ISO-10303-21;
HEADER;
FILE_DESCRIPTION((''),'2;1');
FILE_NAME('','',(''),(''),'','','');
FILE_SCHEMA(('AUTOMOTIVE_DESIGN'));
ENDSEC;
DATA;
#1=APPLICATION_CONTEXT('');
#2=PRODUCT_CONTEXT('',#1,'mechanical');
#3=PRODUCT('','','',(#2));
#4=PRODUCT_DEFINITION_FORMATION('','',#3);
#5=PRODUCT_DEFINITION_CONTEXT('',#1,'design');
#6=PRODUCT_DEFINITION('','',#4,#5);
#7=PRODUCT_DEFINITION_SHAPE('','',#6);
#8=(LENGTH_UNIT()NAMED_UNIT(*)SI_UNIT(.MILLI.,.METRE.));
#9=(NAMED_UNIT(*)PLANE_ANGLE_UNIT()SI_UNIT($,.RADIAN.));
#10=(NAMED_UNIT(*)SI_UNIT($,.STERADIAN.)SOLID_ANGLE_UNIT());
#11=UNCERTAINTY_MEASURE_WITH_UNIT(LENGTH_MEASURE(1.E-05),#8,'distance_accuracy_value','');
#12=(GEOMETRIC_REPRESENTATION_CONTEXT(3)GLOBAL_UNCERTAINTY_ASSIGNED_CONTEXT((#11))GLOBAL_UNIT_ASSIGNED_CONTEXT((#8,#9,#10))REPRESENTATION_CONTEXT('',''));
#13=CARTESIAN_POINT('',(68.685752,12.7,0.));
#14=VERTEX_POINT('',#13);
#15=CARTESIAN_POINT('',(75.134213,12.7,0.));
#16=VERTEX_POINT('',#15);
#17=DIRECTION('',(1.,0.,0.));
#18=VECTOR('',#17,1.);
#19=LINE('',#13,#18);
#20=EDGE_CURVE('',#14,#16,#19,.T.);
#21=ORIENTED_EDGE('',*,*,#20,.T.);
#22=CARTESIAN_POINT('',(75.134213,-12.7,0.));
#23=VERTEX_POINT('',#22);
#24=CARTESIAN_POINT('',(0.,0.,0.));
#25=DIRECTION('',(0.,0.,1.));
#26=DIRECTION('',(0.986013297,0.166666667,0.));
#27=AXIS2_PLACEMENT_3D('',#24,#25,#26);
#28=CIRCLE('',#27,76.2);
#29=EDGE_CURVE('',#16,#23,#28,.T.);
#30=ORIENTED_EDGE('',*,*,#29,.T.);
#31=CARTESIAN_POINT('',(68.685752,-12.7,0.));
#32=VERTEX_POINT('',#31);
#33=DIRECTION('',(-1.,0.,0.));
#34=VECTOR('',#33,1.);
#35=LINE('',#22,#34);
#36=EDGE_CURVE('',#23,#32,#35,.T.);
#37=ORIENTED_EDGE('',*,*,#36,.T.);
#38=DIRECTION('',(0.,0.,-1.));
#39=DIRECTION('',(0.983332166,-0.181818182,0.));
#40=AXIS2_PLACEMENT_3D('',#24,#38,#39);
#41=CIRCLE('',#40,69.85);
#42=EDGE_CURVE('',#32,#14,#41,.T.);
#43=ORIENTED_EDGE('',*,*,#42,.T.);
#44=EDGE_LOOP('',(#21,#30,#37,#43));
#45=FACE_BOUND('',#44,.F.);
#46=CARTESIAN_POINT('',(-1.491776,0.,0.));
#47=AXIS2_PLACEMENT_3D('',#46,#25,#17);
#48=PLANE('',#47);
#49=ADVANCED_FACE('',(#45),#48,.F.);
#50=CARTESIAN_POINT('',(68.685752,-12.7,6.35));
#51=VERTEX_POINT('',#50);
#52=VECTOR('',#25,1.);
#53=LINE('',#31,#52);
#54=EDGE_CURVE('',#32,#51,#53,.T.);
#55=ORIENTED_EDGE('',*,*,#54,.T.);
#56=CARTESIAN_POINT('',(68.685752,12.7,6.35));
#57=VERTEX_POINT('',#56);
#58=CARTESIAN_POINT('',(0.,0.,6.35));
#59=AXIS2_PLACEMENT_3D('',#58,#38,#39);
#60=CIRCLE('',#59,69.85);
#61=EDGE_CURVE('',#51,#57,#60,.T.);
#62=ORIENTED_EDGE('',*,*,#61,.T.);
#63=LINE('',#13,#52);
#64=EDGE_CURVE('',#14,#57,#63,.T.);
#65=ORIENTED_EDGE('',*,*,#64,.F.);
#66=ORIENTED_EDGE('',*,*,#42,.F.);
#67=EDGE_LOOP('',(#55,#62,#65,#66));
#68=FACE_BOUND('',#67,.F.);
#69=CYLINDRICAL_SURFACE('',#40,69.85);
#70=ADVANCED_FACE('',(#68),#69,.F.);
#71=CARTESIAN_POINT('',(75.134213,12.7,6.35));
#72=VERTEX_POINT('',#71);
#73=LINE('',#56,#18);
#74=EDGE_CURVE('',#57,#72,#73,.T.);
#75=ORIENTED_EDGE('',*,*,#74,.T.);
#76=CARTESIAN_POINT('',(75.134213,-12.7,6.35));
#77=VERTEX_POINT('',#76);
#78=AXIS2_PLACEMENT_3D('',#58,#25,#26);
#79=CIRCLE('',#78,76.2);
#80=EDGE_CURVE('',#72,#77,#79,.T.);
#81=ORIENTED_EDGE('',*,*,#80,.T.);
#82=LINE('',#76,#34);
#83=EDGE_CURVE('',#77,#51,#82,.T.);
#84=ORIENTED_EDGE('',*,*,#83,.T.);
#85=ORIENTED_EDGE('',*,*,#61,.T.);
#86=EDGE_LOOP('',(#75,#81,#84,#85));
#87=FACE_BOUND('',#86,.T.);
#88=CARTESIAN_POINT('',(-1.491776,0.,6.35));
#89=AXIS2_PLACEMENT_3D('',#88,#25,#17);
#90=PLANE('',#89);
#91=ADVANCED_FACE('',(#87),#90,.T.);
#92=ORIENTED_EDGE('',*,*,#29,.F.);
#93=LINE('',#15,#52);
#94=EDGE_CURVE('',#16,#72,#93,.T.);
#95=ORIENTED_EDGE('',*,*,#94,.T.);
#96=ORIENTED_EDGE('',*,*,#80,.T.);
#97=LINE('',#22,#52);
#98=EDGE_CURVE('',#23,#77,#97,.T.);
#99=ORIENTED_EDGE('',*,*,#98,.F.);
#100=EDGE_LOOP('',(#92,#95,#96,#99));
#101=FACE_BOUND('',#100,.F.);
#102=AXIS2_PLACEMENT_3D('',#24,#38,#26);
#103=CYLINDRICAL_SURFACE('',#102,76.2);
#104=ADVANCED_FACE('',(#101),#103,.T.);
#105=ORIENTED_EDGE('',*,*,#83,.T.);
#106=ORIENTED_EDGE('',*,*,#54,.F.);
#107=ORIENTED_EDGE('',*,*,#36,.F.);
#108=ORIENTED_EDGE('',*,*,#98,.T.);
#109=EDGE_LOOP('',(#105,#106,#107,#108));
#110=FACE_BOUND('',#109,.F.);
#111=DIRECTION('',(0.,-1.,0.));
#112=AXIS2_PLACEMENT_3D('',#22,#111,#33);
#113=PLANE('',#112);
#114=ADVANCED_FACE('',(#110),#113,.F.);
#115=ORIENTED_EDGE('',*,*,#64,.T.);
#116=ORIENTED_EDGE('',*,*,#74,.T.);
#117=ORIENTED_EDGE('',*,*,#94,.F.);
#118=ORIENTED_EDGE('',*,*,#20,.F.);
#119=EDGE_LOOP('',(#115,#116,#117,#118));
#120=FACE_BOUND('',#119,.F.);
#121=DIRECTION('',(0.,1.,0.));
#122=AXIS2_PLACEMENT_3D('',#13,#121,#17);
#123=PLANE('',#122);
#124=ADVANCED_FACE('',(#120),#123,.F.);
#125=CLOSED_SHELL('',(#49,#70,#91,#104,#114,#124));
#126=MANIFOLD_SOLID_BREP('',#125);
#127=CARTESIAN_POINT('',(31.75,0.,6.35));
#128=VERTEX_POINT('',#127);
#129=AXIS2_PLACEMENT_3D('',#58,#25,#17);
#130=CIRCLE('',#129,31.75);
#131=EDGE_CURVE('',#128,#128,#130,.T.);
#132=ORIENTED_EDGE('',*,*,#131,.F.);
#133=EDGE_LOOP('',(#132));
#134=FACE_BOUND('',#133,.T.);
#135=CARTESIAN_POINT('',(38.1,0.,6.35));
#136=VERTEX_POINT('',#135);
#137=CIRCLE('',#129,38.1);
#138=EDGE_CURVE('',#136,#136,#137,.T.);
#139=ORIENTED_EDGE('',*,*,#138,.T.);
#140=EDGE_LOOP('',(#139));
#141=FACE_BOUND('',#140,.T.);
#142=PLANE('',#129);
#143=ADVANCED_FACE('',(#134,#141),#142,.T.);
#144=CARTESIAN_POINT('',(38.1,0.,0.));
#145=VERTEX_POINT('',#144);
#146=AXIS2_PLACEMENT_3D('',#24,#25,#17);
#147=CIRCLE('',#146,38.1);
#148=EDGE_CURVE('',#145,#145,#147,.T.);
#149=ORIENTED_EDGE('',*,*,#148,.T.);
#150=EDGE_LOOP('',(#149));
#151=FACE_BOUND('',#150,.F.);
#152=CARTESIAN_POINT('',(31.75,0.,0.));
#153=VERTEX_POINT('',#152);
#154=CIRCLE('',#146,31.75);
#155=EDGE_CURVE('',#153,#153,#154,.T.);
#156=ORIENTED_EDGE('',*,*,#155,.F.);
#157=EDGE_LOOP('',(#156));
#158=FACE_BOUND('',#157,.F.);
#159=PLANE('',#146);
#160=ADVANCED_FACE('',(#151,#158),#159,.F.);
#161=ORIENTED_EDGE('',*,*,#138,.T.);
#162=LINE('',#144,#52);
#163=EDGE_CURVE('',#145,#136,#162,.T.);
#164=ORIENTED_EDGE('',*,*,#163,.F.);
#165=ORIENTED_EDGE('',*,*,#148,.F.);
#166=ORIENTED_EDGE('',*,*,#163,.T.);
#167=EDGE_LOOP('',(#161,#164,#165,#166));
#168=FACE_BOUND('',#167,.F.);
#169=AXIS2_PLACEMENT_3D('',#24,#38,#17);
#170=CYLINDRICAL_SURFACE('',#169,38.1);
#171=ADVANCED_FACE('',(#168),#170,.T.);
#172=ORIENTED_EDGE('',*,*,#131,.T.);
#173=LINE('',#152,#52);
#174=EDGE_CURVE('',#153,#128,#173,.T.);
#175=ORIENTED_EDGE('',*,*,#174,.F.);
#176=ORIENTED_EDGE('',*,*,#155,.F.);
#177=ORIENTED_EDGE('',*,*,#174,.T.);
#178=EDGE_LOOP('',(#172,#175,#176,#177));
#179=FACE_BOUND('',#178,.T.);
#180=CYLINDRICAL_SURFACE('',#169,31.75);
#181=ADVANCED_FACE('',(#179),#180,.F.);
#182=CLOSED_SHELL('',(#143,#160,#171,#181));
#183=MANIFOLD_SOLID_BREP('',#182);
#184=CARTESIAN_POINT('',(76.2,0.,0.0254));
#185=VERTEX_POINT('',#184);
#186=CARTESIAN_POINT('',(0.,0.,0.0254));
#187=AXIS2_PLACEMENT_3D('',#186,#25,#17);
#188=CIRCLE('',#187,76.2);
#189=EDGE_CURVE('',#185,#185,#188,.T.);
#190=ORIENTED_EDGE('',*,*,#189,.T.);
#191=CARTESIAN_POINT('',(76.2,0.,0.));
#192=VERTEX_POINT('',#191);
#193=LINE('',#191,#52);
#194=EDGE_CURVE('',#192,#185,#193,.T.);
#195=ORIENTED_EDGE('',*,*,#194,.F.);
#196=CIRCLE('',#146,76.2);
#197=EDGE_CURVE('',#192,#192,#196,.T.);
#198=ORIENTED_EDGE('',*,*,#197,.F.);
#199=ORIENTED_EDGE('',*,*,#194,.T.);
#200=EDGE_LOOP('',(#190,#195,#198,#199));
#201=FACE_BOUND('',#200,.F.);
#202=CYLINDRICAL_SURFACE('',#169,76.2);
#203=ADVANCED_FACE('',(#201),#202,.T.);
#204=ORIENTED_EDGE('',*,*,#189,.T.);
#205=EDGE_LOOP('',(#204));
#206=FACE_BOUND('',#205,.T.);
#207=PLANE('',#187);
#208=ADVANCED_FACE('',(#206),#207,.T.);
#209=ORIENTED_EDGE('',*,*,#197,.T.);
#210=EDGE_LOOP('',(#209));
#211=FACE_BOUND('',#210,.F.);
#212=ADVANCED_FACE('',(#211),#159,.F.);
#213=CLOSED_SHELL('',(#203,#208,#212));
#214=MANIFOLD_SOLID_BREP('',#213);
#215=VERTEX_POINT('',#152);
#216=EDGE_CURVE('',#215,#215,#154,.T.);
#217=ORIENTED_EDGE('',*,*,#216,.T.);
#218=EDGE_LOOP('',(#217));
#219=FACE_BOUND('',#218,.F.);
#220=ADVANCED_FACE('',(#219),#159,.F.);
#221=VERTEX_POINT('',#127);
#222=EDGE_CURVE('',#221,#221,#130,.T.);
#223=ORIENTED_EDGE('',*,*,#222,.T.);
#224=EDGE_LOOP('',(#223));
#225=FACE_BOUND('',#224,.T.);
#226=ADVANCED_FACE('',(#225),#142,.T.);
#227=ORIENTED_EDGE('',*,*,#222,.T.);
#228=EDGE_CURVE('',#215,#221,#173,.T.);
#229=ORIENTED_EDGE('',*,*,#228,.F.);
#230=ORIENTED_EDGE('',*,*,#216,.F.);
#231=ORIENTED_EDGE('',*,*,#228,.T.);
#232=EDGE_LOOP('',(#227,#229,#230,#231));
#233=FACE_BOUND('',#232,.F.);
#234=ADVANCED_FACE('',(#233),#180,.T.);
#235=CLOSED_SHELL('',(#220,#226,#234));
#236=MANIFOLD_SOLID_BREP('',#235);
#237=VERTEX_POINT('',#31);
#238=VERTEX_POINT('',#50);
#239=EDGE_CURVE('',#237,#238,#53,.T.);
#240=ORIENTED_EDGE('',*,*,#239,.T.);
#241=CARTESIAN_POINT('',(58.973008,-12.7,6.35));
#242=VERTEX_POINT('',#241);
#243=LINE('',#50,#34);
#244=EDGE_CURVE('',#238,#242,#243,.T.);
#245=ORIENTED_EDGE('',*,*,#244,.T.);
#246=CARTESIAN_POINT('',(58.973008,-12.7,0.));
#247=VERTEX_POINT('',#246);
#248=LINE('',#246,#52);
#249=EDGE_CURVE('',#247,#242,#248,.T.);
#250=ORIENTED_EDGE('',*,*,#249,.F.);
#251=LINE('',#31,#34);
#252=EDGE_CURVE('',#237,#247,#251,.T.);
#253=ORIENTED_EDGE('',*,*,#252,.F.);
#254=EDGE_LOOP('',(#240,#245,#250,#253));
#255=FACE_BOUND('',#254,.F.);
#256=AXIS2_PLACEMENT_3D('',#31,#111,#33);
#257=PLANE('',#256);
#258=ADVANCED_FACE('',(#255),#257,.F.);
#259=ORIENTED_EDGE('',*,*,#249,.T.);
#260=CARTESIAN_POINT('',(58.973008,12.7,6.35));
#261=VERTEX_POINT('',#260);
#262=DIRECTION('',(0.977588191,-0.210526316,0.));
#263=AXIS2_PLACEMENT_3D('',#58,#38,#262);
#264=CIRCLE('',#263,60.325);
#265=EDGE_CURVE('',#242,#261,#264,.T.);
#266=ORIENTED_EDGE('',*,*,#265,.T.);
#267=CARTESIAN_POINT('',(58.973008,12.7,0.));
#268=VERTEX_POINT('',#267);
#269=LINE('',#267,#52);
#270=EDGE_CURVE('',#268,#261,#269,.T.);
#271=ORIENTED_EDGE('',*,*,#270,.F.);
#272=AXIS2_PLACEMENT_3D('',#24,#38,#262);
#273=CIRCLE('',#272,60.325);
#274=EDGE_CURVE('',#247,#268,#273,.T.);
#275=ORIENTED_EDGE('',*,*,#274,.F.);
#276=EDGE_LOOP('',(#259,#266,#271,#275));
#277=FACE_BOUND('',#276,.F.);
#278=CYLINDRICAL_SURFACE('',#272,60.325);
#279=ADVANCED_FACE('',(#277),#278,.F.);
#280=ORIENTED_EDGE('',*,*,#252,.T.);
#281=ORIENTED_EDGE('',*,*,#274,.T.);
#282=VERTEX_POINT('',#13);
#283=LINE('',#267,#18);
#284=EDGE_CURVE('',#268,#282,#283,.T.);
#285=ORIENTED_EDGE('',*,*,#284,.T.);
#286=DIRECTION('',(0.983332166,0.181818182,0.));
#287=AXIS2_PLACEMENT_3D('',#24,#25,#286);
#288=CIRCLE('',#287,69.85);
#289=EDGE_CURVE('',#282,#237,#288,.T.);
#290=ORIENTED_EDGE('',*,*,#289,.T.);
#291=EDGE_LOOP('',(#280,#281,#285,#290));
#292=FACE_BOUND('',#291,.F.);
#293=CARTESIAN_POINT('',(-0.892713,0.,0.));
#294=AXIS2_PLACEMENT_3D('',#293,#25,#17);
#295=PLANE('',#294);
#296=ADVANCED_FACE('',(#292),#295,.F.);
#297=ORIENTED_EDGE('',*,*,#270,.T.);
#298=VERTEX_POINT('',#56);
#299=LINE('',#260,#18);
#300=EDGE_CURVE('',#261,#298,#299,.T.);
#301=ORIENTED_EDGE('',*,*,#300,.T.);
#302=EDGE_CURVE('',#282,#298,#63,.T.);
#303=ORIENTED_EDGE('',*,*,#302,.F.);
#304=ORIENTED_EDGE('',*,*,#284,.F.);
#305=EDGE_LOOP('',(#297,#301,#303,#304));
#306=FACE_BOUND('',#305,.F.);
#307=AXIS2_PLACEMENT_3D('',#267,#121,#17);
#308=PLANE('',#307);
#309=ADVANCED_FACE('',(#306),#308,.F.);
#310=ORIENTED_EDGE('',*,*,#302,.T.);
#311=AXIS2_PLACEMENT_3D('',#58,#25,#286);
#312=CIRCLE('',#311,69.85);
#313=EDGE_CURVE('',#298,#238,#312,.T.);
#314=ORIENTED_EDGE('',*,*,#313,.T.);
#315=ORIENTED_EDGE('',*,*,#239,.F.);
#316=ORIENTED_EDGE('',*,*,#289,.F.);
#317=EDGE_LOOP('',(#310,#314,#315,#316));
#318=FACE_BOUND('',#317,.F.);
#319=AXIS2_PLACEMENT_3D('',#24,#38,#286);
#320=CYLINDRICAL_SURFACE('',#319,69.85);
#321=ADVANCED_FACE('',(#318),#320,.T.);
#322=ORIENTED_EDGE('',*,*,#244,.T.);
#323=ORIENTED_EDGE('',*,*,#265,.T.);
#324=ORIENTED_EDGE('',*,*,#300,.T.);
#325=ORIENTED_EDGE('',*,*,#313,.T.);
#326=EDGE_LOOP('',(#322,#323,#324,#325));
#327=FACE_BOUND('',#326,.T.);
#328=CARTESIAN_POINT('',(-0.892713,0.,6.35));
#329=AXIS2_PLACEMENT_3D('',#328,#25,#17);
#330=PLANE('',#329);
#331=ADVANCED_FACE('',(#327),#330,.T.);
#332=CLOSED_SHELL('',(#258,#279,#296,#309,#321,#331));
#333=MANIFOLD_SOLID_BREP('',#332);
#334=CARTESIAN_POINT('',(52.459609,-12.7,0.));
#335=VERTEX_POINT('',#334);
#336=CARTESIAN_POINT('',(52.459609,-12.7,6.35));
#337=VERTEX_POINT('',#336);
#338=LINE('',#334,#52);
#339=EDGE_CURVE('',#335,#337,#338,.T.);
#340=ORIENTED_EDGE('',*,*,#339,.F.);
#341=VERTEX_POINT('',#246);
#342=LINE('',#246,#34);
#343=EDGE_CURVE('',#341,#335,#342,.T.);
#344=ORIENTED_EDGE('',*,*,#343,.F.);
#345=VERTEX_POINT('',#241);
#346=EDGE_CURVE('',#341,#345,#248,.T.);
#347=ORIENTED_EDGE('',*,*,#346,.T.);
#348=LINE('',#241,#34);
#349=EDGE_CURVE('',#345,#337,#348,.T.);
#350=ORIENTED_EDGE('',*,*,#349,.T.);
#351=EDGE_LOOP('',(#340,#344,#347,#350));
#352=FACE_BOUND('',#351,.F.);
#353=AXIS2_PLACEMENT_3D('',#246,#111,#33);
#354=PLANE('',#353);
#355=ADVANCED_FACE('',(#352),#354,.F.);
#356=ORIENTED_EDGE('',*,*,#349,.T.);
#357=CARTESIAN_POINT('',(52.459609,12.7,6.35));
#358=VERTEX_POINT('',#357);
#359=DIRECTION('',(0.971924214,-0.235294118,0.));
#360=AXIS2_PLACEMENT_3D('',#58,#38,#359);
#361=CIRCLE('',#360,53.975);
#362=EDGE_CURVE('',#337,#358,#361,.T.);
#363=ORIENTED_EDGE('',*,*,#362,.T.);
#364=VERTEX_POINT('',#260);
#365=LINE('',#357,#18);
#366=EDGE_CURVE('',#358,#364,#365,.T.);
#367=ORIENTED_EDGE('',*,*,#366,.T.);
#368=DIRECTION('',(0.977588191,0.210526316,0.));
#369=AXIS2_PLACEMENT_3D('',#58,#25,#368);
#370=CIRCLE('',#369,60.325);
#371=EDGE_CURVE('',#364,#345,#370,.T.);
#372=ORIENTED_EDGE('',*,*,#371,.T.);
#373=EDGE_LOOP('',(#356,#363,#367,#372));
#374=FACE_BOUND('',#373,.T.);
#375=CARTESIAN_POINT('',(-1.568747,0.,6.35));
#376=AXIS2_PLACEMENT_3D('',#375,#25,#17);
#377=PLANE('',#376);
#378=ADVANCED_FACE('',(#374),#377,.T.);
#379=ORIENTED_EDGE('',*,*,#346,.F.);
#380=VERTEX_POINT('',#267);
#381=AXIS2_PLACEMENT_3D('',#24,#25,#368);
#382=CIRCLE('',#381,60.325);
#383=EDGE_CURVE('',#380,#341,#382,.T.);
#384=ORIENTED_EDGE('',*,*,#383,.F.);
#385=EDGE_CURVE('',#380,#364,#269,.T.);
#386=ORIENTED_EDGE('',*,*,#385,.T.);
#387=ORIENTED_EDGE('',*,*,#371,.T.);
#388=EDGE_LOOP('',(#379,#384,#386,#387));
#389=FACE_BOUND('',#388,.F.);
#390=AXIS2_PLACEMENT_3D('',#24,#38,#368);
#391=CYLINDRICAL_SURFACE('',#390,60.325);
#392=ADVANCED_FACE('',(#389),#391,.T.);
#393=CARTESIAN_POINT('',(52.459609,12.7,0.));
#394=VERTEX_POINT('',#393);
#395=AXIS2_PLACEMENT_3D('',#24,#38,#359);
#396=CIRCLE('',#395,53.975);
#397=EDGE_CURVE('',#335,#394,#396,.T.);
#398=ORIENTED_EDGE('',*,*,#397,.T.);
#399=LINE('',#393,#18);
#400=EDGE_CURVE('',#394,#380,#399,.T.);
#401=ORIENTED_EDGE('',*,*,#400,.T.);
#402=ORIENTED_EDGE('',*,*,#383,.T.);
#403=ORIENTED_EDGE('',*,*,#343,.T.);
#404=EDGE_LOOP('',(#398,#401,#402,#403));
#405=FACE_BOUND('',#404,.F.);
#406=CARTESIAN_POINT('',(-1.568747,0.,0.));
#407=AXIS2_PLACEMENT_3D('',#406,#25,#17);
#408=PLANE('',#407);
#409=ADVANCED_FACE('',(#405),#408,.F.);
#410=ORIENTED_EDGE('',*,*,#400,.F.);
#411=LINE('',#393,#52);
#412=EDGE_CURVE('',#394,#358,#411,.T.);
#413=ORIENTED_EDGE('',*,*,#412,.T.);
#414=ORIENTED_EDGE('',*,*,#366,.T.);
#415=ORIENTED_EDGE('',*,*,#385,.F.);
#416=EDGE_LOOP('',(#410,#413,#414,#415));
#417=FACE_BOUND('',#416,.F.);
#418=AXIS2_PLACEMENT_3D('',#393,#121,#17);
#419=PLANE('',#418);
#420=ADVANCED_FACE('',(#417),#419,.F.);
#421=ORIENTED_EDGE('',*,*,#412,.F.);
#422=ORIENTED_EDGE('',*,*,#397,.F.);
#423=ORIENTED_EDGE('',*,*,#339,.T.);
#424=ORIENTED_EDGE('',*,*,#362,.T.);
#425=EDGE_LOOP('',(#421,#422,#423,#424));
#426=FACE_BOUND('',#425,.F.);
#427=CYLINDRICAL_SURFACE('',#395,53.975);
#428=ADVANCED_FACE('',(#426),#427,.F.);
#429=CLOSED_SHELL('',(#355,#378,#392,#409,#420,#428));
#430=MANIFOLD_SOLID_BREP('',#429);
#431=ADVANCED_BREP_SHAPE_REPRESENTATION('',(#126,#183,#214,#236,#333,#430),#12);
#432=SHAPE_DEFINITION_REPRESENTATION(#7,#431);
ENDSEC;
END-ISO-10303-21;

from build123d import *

# Parameters (mm, degrees)
F1_DEPTH = 6.35
F0_R     = 31.75
F2_R     = 38.1
F2_R_2   = 31.75
F3_DEPTH = 6.35
F4_R     = 76.2
F5_DEPTH = 0.0254


with BuildPart() as f1:
    # F0 (on Top) → F1 (new body)
    with BuildSketch(Plane.XY):
        with BuildLine():
            Line((58.9730075967, 12.7), (68.6857517976, 12.7))
            ThreePointArc((68.6857517976, 12.7), (-69.85, 0), (68.6857517976, -12.7))
            Line((68.6857517976, -12.7), (58.9730075967, -12.7))
            ThreePointArc((58.9730075967, -12.7), (-60.325, 0), (58.9730075967, 12.7))
        make_face()
    extrude(amount=F1_DEPTH)


with BuildPart() as f1b:
    # F0 (on Top) → F1, piece 2 (new body)
    with BuildSketch(Plane.XY):
        Circle(F0_R)
    extrude(amount=F1_DEPTH)


with BuildPart() as f3:
    # F2 (on Top) → F3 (new body)
    with BuildSketch(Plane.XY):
        Circle(F2_R)
        Circle(F2_R_2, mode=Mode.SUBTRACT)
    extrude(amount=F3_DEPTH)


with BuildPart() as f3b:
    # F2 (on Top) → F3, piece 2 (new body)
    with BuildSketch(Plane.XY):
        with BuildLine():
            Line((52.4596094629, 12.7), (58.9730075967, 12.7))
            ThreePointArc((58.9730075967, 12.7), (-60.325, 0), (58.9730075967, -12.7))
            Line((58.9730075967, -12.7), (52.4596094629, -12.7))
            ThreePointArc((52.4596094629, -12.7), (-53.975, 0), (52.4596094629, 12.7))
        make_face()
    extrude(amount=F3_DEPTH)


with BuildPart() as f3c:
    # F2 (on Top) → F3, piece 3 (new body)
    with BuildSketch(Plane.XY):
        with BuildLine():
            Line((68.6857517976, 12.7), (75.1342132454, 12.7))
            ThreePointArc((75.1342132454, 12.7), (-76.2, 0), (75.1342132454, -12.7))
            Line((75.1342132454, -12.7), (68.6857517976, -12.7))
            ThreePointArc((68.6857517976, -12.7), (-69.85, 0), (68.6857517976, 12.7))
        make_face()
    extrude(amount=F3_DEPTH)


with BuildPart() as f5:
    # F4 (on Top) → F5 (new body)
    with BuildSketch(Plane.XY):
        Circle(F4_R)
    extrude(amount=F5_DEPTH)


solid = Compound([f1.part, f1b.part, f3.part, f3b.part, f3c.part, f5.part])
